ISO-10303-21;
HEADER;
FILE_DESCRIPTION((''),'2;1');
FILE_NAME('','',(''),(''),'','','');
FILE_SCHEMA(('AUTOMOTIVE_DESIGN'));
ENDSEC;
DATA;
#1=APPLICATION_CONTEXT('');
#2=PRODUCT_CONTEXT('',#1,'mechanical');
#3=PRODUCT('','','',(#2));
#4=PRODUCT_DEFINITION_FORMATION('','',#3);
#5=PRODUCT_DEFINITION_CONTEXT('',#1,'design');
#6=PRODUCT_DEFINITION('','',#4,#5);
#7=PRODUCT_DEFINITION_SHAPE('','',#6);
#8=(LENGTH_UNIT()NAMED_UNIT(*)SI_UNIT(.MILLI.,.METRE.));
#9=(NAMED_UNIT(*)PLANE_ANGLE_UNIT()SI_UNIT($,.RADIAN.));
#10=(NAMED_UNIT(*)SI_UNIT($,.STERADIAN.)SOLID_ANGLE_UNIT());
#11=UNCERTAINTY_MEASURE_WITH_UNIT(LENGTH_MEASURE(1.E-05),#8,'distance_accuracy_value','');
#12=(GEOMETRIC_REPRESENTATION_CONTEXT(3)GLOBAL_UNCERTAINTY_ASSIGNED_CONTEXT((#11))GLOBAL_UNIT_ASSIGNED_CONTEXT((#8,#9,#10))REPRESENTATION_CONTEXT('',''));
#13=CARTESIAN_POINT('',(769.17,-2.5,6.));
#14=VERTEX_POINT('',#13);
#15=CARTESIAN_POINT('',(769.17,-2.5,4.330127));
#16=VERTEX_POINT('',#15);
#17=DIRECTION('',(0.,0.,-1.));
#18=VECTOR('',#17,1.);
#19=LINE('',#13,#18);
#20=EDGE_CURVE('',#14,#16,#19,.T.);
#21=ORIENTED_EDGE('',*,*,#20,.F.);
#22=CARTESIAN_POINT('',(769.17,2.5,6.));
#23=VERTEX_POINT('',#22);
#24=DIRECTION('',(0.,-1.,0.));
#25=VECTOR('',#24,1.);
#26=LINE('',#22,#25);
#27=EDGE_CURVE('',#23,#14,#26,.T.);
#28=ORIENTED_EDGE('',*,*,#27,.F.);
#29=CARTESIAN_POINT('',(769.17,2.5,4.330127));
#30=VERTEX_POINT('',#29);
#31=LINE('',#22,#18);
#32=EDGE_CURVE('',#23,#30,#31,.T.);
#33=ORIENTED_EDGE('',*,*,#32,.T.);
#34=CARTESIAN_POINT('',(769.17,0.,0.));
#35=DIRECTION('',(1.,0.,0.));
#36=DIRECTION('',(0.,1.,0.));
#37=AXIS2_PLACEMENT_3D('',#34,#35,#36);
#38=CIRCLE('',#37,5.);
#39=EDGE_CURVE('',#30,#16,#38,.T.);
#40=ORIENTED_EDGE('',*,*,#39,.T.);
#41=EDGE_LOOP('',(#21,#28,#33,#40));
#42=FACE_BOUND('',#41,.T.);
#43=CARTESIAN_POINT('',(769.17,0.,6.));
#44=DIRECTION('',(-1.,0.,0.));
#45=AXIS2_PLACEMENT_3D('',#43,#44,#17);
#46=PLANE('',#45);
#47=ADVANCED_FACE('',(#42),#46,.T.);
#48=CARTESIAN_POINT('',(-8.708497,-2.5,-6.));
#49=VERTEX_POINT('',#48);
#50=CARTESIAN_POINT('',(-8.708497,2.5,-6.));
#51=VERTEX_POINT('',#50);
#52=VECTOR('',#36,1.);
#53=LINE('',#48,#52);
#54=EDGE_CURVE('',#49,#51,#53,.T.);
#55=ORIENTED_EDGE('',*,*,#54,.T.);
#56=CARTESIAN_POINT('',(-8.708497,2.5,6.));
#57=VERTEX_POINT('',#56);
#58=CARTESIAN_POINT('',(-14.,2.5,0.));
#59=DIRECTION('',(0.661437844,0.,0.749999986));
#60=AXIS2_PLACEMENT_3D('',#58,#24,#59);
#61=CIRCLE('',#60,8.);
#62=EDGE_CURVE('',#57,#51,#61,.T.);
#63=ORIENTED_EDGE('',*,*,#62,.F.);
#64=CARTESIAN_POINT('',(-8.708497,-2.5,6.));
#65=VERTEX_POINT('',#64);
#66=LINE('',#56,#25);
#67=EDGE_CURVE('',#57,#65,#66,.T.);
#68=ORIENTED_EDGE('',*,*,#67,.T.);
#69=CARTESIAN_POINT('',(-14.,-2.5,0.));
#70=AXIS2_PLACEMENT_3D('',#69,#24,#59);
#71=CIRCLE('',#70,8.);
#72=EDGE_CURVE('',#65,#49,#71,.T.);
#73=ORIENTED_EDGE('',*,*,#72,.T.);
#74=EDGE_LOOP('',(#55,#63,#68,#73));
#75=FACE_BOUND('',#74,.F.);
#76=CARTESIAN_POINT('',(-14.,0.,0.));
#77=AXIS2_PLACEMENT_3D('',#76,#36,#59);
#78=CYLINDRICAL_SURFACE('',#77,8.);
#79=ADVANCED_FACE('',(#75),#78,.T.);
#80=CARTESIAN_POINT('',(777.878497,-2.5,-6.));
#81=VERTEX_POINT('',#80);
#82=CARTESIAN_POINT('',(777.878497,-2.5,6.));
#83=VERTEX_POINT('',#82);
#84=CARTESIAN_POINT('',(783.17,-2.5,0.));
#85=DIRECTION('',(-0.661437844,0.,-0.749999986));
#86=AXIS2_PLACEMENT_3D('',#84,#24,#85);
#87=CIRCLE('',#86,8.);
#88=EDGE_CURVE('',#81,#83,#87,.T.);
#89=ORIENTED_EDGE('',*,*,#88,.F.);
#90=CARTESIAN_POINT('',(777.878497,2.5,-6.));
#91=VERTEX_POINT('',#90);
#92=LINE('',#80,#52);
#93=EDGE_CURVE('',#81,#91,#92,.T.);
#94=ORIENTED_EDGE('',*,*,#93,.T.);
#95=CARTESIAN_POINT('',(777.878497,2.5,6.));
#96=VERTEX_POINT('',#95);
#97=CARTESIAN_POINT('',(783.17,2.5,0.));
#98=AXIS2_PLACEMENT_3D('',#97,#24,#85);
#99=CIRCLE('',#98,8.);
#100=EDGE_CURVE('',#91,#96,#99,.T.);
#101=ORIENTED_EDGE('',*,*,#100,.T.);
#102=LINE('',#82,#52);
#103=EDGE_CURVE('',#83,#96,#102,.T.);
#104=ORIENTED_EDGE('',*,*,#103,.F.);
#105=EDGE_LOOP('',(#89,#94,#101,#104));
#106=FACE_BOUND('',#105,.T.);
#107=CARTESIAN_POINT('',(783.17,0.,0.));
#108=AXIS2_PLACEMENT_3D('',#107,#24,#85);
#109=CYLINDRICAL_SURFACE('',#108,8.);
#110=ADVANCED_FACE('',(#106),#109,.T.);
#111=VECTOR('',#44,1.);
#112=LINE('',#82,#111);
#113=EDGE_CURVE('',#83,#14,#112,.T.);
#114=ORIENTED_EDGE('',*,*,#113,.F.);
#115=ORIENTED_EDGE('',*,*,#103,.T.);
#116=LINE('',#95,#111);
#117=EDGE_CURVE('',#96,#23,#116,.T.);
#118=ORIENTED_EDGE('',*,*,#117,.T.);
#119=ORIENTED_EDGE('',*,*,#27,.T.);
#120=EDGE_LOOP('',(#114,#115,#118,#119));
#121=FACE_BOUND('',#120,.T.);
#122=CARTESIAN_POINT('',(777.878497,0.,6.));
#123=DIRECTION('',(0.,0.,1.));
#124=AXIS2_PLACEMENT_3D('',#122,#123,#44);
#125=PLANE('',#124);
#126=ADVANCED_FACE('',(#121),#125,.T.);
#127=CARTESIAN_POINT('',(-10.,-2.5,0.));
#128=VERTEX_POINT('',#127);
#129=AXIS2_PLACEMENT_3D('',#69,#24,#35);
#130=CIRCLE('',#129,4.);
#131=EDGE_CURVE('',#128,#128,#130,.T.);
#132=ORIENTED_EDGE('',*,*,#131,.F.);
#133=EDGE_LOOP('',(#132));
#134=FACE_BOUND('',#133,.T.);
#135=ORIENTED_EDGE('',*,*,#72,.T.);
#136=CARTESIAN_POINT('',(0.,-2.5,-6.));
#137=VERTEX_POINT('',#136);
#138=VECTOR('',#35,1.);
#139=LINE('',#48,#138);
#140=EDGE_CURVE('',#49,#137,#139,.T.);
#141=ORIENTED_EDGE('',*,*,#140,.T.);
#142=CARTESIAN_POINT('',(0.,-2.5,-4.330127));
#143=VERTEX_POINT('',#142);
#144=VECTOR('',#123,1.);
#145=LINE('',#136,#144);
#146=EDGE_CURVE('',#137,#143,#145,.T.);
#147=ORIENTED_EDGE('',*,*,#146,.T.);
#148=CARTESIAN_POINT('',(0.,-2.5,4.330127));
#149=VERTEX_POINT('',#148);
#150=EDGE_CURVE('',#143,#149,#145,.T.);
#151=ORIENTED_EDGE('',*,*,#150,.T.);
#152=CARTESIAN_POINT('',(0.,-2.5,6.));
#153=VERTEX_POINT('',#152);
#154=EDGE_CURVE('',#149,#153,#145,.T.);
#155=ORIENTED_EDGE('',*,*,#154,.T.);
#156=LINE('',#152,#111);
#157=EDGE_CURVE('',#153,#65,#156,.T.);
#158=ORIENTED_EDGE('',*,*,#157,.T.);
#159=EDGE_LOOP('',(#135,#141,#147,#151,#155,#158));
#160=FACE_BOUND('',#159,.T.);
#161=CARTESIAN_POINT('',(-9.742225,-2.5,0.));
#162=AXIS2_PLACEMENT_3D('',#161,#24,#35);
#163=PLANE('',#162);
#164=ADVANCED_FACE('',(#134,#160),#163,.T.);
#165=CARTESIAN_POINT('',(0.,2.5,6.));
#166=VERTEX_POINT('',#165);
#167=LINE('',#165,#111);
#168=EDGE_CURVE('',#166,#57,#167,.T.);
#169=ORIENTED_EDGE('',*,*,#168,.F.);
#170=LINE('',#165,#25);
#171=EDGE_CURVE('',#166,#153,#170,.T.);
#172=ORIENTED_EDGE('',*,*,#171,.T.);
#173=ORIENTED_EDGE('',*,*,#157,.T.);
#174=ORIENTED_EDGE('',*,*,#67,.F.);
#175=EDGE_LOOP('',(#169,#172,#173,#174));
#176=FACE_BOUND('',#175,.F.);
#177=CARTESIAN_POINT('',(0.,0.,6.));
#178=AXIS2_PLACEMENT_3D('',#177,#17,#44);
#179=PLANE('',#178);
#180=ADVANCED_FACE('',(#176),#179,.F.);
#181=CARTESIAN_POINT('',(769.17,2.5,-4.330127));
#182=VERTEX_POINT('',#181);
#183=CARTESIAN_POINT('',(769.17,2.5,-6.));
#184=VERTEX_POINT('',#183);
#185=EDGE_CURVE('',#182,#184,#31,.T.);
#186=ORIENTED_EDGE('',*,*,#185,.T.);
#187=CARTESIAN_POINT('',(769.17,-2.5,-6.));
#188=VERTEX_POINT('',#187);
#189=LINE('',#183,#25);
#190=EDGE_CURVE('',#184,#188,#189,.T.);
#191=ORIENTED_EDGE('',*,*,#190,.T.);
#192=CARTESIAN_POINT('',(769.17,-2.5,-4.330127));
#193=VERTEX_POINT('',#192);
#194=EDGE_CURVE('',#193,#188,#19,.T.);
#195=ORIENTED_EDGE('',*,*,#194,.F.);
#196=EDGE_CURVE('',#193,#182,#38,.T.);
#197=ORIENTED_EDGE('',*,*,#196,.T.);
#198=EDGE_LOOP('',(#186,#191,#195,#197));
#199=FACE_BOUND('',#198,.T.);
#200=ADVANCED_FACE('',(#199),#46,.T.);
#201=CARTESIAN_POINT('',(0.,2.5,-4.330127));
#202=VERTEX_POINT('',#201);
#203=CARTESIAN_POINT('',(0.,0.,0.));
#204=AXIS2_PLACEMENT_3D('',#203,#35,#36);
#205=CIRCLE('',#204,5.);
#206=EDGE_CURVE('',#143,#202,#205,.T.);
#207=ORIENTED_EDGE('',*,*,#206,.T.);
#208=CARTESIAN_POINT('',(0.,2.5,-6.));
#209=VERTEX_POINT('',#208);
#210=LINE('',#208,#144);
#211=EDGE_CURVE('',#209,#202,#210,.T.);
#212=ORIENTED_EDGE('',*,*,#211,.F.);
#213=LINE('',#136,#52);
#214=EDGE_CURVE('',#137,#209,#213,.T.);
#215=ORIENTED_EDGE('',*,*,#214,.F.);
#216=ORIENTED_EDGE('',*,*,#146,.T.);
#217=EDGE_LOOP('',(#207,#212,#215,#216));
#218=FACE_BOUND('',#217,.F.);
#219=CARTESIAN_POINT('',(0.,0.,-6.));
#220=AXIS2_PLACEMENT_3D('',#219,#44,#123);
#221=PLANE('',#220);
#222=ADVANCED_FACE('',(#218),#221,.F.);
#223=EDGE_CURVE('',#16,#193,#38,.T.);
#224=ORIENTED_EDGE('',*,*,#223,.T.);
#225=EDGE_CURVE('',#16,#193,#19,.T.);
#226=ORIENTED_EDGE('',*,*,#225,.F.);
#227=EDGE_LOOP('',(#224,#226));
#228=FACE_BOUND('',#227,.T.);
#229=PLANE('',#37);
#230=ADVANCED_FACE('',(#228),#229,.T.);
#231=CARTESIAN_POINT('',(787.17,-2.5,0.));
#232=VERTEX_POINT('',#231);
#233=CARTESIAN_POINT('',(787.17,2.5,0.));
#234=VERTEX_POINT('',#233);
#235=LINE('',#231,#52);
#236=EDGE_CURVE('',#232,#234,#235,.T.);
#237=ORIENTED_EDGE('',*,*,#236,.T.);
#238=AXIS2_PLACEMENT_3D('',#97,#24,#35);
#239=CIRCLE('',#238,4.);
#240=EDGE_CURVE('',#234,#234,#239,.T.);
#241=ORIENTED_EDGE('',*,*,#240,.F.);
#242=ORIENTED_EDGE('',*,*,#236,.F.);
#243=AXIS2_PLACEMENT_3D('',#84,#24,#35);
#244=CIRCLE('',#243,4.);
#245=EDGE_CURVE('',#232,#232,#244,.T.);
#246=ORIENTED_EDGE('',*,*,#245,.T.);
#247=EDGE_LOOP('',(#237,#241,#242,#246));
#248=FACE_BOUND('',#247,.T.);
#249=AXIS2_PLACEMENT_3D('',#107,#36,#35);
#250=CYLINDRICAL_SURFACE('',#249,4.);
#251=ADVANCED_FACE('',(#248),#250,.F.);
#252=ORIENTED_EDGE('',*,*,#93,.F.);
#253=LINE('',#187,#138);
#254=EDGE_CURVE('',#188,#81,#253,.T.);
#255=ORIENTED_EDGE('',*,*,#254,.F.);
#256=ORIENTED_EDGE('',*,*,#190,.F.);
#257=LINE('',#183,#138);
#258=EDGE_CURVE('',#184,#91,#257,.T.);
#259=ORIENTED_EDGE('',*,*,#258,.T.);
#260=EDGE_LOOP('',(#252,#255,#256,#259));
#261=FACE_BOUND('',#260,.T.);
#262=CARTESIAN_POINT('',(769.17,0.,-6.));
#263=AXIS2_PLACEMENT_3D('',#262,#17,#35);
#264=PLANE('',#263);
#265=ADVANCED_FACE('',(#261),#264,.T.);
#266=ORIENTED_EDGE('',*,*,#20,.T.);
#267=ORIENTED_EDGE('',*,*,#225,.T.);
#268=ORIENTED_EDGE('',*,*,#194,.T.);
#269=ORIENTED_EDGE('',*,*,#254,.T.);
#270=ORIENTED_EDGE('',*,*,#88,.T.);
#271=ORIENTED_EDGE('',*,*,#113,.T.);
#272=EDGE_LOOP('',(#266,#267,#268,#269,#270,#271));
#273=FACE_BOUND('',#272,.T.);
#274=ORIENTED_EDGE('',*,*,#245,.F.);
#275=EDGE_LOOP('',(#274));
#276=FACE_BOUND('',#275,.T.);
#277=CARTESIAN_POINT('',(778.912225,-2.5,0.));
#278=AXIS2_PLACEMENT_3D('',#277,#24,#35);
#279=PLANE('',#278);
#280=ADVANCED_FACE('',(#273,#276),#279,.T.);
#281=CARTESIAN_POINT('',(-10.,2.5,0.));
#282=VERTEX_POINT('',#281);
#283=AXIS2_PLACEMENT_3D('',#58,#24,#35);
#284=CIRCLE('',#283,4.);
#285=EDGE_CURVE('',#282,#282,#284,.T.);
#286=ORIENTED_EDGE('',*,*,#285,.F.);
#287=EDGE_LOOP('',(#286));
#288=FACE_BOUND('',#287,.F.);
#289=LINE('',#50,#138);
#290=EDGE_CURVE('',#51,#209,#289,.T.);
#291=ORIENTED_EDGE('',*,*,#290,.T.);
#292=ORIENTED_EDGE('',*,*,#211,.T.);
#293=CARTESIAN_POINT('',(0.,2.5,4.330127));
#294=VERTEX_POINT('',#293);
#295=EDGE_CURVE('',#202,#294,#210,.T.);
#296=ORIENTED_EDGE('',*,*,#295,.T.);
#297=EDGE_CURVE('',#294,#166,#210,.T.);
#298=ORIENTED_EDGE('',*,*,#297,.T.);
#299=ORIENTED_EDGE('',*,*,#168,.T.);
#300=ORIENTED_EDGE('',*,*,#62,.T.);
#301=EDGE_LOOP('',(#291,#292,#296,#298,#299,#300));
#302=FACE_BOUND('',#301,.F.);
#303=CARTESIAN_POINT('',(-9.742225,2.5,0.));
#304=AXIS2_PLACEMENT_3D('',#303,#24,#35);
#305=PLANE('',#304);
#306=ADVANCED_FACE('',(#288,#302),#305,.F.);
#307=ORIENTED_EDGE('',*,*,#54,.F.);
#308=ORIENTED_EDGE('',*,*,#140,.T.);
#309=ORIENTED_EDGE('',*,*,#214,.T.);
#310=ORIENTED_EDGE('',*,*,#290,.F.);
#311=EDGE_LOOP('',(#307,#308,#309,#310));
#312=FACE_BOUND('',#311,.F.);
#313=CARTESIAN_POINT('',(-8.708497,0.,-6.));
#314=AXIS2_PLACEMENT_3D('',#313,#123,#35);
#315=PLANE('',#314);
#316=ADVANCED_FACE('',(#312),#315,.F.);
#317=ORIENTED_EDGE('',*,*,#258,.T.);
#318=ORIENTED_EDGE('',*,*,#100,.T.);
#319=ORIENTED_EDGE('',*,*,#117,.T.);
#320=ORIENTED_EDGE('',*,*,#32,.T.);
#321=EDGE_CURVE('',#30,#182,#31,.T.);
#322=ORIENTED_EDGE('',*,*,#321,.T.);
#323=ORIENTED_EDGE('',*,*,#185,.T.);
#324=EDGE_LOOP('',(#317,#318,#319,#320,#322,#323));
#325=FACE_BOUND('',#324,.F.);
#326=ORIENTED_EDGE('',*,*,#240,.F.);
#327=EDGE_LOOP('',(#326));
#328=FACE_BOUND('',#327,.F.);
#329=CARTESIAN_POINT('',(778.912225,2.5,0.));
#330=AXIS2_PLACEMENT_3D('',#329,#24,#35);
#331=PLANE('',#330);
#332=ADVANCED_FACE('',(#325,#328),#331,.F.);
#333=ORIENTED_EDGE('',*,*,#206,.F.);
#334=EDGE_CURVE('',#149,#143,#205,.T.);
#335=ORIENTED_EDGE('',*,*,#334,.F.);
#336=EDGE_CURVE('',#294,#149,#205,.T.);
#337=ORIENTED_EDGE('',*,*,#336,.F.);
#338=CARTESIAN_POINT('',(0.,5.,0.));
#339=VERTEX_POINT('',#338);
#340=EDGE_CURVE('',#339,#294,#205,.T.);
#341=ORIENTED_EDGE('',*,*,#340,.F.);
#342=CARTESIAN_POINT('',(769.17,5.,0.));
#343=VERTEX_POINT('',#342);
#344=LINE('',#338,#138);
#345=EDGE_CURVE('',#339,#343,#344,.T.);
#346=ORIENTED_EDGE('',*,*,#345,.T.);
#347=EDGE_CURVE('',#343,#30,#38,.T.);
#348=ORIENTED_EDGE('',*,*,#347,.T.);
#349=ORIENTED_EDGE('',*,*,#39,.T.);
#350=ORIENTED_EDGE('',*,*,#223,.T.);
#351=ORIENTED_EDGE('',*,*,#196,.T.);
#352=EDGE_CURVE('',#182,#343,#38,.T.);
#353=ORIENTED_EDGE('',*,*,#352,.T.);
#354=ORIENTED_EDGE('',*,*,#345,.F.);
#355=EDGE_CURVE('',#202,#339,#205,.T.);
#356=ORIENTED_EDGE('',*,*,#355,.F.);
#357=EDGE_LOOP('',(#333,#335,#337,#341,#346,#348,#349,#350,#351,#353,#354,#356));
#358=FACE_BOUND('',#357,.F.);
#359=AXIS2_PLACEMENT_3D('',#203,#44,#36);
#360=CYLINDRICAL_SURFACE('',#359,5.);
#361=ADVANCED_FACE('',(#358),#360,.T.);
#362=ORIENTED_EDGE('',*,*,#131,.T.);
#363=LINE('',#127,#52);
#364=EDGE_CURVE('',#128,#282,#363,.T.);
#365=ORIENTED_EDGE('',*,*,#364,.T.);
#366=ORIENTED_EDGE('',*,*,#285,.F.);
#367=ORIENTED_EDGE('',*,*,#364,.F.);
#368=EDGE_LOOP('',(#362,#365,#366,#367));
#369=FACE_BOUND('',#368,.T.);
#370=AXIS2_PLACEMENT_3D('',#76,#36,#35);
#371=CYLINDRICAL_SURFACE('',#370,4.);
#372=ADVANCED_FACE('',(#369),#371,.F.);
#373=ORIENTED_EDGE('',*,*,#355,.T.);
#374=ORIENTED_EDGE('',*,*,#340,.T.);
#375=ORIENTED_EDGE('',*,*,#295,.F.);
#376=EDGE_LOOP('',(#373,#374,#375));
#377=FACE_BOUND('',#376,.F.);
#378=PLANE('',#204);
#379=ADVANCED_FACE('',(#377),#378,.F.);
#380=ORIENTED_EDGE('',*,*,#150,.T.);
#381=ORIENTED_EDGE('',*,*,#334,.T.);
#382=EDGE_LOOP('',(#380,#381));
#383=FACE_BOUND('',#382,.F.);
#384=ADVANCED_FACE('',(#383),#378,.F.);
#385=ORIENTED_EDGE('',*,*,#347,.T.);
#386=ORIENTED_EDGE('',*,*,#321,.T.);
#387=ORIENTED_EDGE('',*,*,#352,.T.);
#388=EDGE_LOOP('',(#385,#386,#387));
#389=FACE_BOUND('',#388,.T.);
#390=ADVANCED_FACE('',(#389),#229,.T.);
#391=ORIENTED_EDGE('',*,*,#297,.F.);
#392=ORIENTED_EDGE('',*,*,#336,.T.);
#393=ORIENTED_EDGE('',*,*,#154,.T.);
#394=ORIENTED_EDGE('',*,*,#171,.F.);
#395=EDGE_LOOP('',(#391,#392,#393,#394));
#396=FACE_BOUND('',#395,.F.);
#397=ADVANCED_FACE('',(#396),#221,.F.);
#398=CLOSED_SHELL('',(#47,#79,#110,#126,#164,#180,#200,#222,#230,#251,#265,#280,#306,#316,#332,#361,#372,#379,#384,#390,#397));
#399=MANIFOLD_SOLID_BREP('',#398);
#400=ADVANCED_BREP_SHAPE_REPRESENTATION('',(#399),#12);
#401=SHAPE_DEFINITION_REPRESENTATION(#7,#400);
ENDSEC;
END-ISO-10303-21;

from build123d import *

# Parameters (mm, degrees)
F0_R     = 5
F1_DEPTH = 769.17
F2_R     = 4
F3_DEPTH = 2.5


with BuildPart() as f1:
    # F0 (on Right) → F1 (new body)
    with BuildSketch(Plane.YZ):
        Circle(F0_R)
    extrude(amount=F1_DEPTH)

    # F2 (on Front) → F3 (join, symmetric)
    with BuildSketch(Plane.XZ):
        with BuildLine():
            Line((0, -6), (0, 6))
            Line((0, 6), (-8.708497, 6))
            ThreePointArc((-8.708497, 6), (-22, 0), (-8.708497, -6))
            Line((-8.708497, -6), (0, -6))
        make_face()
        with Locations((-14, 0)):
            Circle(F2_R, mode=Mode.SUBTRACT)
        with BuildLine():
            Line((777.878497, 6), (769.17, 6))
            Line((769.17, 6), (769.17, -6))
            Line((769.17, -6), (777.878497, -6))
            ThreePointArc((777.878497, -6), (791.17, 0), (777.878497, 6))
        make_face()
        with Locations((783.17, 0)):
            Circle(F2_R, mode=Mode.SUBTRACT)
    extrude(amount=F3_DEPTH, both=True)


solid = f1.part
